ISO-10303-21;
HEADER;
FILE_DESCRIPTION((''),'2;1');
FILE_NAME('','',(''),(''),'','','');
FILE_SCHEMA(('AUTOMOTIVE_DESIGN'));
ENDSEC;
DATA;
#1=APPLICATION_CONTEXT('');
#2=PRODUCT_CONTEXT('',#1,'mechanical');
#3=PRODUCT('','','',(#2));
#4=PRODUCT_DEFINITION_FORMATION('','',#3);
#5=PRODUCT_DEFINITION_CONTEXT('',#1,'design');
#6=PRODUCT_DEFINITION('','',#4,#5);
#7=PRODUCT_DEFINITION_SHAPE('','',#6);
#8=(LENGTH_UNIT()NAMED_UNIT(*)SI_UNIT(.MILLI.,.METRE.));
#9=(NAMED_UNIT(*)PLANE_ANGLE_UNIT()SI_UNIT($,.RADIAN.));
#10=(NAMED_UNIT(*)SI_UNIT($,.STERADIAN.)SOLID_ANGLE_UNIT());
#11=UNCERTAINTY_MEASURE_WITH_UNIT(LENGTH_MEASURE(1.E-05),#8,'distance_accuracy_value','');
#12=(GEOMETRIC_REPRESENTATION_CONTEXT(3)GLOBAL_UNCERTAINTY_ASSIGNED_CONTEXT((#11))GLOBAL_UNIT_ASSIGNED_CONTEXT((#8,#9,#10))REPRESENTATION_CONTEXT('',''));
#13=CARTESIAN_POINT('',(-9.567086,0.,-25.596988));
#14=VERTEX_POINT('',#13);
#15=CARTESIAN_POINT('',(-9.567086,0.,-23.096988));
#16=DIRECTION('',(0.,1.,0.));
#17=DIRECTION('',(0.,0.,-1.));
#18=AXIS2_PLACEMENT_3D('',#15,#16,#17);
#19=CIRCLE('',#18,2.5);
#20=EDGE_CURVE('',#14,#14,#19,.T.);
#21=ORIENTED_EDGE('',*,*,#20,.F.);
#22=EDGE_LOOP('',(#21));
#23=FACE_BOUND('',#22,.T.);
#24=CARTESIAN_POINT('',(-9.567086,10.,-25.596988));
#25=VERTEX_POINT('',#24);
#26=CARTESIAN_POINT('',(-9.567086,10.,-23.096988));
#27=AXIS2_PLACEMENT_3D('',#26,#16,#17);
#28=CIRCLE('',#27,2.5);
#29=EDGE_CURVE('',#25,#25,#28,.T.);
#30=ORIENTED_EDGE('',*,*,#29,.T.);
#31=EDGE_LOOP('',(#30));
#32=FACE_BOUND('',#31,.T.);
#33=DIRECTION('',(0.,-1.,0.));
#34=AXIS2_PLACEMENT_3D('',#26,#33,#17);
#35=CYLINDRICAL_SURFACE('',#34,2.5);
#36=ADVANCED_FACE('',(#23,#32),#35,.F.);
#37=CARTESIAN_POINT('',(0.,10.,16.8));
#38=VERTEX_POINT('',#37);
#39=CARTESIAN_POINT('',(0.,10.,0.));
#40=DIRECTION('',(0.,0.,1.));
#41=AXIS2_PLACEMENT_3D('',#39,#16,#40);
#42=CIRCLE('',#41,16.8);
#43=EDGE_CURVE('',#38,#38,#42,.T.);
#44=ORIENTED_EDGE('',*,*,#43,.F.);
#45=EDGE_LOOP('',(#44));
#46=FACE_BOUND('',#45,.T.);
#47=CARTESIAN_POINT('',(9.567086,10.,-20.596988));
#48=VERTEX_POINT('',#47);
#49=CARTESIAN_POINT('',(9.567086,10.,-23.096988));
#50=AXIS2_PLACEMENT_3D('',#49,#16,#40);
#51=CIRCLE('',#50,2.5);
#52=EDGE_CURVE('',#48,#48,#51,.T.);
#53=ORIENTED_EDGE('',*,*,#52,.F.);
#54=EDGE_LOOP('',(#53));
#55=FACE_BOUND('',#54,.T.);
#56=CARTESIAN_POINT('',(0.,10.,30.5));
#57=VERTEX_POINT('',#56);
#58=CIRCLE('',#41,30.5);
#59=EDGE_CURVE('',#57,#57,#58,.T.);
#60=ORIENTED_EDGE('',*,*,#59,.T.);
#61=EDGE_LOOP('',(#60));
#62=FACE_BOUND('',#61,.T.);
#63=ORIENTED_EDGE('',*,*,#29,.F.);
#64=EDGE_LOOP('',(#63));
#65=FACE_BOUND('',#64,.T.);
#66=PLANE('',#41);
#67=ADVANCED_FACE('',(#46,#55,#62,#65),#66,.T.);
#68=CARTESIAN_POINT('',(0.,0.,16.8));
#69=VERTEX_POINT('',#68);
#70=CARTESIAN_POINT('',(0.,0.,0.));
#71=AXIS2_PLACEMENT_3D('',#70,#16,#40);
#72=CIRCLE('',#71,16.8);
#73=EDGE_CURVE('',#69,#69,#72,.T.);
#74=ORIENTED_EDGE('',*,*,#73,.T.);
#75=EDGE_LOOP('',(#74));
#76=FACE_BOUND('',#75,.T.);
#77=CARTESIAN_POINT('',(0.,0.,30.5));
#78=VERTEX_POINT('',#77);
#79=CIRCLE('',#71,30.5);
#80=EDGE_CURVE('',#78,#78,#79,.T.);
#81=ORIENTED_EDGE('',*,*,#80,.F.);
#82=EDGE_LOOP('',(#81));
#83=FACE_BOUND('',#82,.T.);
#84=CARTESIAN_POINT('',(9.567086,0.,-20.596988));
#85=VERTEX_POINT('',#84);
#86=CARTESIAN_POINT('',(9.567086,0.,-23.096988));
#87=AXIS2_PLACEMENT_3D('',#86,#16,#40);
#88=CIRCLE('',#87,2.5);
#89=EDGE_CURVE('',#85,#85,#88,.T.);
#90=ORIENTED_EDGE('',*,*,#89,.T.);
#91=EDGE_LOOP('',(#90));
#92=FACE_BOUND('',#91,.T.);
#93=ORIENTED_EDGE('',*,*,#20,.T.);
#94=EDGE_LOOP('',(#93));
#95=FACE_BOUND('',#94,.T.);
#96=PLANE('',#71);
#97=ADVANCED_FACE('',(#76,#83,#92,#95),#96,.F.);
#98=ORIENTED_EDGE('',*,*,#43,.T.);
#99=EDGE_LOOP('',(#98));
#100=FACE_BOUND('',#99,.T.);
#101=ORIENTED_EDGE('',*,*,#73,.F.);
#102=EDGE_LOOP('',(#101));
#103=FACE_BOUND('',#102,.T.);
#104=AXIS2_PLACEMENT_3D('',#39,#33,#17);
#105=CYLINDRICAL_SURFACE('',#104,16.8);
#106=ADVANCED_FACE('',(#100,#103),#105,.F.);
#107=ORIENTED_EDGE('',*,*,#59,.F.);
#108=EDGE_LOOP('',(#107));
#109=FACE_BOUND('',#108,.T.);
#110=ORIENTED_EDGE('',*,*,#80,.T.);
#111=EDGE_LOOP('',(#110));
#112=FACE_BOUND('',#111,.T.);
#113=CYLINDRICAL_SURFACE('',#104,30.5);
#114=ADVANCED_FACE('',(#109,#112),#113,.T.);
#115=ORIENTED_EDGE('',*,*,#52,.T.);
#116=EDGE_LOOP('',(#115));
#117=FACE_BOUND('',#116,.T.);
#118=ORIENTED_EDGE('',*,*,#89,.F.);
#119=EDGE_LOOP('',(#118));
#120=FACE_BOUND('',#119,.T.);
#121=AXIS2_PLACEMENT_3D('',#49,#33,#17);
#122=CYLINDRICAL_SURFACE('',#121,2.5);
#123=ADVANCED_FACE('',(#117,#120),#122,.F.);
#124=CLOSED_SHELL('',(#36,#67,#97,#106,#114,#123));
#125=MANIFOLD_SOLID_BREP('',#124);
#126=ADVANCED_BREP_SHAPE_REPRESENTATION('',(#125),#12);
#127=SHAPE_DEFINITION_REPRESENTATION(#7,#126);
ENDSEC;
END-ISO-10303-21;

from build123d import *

# Parameters (mm, degrees)
SKETCH1_R           = 30.5
SKETCH1_R_2         = 16.8
SKETCH1_R_3         = 2.5
BOSS_EXTRUDE1_DEPTH = 10


with BuildPart() as part:
    # Sketch1 → Boss-Extrude1 (new body)
    with BuildSketch(Plane(origin=(0, 0, 0), x_dir=(1, 0, 0), z_dir=(0, 1, 0))):
        with Locations(Location((0, 0, 0), (0, 0, 270))):
            Circle(SKETCH1_R)
        with Locations(Location((0, 0, 0), (0, 0, 270))):
            Circle(SKETCH1_R_2, mode=Mode.SUBTRACT)
        with Locations(Location((9.567085809, 23.096988313, 0), (0, 0, 270))):
            Circle(SKETCH1_R_3, mode=Mode.SUBTRACT)
        with Locations(Location((-9.567085809, 23.096988313, 0), (0, 0, 90))):
            Circle(SKETCH1_R_3, mode=Mode.SUBTRACT)
    extrude(amount=BOSS_EXTRUDE1_DEPTH)


solid = part.part
